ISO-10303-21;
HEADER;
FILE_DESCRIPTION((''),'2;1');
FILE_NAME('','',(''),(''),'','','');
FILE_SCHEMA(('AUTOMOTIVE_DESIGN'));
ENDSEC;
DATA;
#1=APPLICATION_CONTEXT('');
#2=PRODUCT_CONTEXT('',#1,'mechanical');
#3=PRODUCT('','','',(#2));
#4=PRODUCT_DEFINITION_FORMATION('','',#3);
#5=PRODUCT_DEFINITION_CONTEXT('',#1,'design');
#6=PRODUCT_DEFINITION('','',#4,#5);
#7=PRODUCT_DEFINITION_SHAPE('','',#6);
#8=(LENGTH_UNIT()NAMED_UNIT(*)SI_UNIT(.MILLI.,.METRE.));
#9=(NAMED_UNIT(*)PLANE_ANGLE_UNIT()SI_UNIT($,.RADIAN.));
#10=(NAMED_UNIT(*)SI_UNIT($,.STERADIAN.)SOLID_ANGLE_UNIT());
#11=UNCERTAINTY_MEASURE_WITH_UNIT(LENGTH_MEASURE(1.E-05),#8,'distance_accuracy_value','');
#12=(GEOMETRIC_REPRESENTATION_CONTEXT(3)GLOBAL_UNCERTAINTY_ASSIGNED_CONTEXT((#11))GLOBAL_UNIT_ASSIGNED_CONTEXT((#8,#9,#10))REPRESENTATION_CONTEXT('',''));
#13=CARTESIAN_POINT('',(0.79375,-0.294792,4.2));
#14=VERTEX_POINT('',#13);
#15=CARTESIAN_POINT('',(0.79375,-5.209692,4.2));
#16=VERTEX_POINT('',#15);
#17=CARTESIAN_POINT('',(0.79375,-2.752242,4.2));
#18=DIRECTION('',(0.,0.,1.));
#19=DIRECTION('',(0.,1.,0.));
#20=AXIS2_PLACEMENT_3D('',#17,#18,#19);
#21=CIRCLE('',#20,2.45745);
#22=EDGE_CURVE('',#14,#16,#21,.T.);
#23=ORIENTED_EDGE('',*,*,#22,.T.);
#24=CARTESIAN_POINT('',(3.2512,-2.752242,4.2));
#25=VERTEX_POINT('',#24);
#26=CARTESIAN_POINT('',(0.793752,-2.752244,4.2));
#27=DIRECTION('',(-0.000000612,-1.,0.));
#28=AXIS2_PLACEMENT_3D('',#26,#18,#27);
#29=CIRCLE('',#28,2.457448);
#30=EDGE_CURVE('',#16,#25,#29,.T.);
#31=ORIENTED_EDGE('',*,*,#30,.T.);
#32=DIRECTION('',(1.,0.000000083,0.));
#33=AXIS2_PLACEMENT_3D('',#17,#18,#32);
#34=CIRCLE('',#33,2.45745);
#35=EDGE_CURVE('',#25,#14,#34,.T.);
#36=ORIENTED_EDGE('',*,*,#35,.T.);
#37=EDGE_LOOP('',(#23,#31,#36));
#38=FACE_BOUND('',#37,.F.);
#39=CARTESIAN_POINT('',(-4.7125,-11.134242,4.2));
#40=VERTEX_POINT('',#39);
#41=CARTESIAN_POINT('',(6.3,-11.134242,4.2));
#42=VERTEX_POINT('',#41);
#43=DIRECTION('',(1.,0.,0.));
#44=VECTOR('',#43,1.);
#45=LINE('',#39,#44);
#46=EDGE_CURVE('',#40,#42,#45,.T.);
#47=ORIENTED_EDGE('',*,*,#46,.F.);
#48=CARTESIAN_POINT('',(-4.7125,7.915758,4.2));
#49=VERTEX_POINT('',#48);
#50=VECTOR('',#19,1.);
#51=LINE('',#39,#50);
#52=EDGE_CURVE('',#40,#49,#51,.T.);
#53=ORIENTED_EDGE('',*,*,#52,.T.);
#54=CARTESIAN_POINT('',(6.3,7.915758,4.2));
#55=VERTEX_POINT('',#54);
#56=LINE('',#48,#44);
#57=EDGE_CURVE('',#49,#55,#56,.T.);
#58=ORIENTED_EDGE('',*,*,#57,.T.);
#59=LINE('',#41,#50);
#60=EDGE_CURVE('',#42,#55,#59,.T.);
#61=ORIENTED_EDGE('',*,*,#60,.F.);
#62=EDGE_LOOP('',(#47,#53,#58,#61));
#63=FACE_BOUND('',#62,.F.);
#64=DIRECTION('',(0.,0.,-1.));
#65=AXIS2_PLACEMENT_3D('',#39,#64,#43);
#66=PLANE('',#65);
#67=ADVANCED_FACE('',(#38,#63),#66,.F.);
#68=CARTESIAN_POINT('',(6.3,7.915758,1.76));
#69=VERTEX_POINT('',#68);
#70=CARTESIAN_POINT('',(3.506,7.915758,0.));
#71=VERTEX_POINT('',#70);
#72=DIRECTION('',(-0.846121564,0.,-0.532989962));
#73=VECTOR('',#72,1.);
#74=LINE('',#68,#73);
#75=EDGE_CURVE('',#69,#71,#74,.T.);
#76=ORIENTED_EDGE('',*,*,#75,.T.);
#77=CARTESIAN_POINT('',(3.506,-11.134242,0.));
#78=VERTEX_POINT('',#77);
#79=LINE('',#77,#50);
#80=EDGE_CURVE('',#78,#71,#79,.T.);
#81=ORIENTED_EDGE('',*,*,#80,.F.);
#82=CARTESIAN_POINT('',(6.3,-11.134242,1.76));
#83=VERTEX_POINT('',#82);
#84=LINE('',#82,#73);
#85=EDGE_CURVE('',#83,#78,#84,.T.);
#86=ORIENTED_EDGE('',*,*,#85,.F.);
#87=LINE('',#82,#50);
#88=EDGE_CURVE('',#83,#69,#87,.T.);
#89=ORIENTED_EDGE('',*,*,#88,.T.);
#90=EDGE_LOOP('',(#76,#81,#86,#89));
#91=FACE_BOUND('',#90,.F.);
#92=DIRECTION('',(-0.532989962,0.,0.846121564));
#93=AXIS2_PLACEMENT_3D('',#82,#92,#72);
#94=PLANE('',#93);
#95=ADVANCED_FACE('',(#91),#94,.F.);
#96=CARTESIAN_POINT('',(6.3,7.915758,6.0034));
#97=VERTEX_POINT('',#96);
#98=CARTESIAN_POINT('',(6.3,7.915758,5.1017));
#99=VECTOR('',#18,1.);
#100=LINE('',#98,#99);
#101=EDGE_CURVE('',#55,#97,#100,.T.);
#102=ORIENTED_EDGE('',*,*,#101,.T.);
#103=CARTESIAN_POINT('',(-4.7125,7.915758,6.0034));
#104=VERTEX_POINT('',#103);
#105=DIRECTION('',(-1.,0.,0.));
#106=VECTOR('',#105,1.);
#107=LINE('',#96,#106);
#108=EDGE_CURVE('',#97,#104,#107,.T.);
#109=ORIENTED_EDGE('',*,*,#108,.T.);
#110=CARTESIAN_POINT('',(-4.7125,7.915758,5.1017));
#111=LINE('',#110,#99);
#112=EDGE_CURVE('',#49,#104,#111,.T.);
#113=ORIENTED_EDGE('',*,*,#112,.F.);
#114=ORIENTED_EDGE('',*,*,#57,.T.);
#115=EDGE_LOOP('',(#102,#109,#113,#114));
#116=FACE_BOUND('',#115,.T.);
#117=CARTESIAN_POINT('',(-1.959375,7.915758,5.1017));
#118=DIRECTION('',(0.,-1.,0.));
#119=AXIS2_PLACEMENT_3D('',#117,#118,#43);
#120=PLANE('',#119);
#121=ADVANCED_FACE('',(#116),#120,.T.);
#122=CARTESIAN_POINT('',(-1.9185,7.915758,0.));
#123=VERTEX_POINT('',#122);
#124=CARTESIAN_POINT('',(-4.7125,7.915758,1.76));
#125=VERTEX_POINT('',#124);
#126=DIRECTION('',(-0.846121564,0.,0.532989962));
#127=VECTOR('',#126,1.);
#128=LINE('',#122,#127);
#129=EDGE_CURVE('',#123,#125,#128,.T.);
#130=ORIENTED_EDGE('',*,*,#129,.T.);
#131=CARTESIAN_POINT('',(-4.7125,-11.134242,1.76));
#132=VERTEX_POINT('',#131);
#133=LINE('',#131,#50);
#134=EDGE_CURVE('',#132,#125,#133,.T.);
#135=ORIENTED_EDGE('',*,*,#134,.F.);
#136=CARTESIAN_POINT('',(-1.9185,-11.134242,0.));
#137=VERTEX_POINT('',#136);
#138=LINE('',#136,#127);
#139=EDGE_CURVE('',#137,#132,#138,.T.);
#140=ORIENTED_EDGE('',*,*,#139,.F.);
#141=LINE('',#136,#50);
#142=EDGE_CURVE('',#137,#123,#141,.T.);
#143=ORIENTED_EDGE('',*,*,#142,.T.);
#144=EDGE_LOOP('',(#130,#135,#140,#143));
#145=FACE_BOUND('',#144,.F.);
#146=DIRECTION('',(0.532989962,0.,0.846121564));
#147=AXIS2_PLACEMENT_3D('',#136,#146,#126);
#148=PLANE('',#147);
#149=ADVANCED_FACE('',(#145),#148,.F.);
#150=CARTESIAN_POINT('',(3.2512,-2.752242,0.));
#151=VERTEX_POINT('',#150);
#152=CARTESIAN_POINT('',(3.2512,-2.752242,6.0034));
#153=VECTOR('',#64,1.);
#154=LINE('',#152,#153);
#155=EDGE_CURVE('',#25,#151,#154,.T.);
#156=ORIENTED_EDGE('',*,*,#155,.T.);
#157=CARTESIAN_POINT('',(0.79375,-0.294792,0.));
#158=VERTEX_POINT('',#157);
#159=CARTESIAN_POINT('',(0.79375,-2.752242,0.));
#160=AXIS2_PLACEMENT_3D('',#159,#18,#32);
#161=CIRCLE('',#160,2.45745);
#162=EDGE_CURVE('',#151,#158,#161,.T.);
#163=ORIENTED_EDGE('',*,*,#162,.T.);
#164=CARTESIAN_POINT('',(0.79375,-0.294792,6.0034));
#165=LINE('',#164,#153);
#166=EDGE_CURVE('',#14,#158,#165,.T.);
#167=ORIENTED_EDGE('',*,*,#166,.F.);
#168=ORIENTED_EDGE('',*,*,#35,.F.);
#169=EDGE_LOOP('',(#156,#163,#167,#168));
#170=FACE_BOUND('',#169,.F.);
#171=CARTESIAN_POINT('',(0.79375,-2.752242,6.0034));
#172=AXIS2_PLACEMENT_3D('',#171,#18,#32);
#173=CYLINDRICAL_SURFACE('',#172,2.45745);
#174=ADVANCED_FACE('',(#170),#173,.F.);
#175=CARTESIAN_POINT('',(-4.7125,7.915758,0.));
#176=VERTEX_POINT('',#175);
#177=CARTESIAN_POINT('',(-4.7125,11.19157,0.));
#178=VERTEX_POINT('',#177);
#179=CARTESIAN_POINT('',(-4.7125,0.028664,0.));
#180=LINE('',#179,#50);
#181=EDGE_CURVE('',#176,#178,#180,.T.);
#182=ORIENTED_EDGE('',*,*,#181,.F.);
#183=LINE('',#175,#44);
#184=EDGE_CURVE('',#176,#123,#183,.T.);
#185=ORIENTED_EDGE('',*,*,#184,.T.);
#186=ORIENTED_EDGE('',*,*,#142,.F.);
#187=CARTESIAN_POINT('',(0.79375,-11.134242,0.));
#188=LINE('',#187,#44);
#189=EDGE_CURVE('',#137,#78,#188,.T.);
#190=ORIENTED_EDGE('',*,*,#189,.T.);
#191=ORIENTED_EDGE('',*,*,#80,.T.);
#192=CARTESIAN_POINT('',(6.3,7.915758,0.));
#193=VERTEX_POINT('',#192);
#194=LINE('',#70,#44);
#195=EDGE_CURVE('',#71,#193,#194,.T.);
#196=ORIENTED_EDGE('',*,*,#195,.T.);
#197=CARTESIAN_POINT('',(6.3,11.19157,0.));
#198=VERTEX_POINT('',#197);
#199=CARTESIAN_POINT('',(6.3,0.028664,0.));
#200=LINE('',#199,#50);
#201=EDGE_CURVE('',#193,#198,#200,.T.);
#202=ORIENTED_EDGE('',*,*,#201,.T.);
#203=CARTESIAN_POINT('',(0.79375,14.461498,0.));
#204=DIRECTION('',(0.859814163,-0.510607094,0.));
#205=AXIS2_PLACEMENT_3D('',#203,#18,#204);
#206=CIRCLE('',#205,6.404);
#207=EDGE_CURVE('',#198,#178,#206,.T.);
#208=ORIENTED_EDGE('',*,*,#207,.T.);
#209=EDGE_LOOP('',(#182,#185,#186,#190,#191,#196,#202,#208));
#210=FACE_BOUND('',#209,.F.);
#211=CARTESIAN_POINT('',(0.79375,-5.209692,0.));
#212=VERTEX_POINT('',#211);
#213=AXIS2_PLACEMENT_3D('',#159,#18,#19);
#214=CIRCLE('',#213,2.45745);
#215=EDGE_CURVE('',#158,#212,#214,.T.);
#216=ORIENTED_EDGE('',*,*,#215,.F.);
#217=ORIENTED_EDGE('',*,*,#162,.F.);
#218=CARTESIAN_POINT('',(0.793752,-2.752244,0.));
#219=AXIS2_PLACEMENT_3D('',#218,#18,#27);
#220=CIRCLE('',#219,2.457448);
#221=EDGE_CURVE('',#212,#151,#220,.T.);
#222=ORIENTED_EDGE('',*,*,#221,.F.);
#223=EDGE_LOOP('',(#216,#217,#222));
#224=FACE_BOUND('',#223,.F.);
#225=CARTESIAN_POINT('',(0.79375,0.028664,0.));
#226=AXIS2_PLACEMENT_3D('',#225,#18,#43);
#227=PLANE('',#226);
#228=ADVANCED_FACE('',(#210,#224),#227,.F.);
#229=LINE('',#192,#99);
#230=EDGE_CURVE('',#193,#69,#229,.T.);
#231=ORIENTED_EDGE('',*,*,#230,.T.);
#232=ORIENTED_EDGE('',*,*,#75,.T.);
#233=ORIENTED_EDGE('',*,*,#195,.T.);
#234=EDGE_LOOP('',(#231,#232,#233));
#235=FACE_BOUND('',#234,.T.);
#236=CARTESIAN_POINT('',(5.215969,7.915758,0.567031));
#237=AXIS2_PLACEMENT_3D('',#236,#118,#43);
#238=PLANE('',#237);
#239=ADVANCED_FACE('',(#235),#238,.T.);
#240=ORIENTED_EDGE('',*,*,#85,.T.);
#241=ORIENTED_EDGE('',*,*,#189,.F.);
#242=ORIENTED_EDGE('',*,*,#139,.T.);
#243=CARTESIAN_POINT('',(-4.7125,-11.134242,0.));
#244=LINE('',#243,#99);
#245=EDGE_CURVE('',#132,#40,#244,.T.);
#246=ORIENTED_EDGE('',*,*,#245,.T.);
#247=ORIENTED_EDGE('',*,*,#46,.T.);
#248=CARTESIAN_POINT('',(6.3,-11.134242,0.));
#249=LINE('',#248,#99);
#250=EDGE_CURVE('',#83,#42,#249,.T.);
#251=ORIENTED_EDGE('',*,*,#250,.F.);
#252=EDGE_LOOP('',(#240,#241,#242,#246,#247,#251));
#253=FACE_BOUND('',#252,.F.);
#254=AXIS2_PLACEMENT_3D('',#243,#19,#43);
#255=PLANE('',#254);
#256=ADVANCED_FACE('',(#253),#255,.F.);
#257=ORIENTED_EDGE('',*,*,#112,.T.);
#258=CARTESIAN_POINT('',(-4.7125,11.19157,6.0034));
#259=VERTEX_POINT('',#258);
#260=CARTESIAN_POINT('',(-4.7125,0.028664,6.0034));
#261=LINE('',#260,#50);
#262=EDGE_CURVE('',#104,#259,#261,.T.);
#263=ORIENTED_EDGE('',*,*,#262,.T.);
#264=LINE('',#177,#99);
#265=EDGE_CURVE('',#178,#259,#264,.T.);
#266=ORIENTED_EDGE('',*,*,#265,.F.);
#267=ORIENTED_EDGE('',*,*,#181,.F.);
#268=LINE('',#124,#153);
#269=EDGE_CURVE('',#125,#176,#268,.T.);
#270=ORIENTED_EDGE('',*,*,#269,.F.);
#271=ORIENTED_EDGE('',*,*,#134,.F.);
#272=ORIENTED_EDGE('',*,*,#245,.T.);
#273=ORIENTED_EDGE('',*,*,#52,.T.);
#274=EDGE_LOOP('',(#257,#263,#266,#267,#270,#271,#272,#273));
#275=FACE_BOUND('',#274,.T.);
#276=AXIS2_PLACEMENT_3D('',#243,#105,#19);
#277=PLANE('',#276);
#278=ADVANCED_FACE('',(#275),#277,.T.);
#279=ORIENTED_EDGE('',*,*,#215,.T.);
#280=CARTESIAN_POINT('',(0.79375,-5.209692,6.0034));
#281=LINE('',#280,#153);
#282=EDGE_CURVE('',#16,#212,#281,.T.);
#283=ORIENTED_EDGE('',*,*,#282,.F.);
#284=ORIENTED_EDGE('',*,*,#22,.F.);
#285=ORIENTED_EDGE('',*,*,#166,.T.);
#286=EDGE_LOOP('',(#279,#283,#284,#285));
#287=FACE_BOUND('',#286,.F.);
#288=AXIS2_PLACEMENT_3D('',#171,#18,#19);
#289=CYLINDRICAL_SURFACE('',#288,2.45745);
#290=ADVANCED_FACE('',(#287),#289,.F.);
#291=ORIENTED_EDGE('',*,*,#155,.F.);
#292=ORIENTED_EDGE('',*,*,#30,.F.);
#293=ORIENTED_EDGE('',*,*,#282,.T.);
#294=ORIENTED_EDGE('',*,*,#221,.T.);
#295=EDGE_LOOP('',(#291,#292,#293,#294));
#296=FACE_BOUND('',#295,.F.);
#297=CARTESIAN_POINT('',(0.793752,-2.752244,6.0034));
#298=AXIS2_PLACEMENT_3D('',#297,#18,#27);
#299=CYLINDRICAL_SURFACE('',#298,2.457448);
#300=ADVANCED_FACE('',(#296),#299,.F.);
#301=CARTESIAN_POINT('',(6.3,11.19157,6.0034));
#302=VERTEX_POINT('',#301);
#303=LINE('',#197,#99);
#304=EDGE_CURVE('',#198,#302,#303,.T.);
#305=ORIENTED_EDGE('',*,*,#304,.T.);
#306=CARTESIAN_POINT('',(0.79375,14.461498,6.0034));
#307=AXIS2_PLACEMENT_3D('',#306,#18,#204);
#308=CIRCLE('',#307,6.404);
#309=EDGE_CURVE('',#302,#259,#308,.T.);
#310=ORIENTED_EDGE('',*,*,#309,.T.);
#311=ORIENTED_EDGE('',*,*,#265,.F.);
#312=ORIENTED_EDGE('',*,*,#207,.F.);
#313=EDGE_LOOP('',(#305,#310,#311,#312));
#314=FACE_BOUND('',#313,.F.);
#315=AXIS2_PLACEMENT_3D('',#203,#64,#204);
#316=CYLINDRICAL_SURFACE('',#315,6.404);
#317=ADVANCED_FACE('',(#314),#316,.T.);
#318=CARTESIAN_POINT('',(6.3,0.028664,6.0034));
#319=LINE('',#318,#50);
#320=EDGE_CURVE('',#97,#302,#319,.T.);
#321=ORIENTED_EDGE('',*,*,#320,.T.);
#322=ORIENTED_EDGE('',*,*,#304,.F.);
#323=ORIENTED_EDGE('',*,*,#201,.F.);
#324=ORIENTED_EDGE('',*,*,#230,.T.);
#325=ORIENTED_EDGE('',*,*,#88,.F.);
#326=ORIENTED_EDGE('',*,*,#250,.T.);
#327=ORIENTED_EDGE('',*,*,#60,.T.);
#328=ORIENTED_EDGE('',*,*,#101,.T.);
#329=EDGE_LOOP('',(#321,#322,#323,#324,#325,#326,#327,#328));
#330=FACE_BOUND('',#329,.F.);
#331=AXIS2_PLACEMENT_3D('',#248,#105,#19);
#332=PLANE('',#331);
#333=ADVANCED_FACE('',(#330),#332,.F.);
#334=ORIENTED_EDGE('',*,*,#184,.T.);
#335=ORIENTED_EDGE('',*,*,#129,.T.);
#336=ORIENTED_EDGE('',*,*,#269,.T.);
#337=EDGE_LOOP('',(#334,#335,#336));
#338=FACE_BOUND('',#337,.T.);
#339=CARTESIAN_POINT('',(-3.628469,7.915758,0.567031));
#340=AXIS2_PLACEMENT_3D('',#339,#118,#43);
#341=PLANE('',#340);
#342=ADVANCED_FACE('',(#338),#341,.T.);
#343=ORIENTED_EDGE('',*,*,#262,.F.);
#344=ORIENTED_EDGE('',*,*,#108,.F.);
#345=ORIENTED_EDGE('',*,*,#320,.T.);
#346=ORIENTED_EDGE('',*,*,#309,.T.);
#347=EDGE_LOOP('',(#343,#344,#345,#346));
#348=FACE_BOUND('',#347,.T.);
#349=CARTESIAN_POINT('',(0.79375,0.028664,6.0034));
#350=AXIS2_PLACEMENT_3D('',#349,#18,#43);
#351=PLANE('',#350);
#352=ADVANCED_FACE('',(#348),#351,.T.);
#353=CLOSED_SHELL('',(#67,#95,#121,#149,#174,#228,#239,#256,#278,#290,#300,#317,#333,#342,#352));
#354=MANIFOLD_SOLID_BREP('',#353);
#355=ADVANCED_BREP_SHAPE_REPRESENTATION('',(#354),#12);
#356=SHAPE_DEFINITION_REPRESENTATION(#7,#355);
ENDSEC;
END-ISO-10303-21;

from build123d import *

# Parameters (mm, degrees)
F0_W     = 11.0125
F0_H     = 22.325812
F1_DEPTH = 6.0034
F3_DEPTH = 6.0034
F4_W     = 5.50625
F4_H     = 1.8034
F5_DEPTH = 19.05
F6_DEPTH = 19.05


with BuildPart() as f1:
    # F0 (on Top) → F1 (new body)
    with BuildSketch(Plane.XY):
        with Locations((0.79375, 0.028664)):
            Rectangle(F0_W, F0_H)
        with BuildLine():
            Line((-4.7125, 11.19157), (6.3, 11.19157))
            ThreePointArc((6.3, 11.19157), (0.79375, 20.865498), (-4.7125, 11.19157))
        make_face()
    extrude(amount=F1_DEPTH)

    # F2 (on face) → F3 (cut, through all)
    with BuildSketch(Plane.XY.offset(6.0034)):
        with BuildLine():
            ThreePointArc((0.79375, -0.294792), (-1.6637, -2.752242), (0.79375, -5.209692))
            Line((0.79375, -5.209692), (0.79375, -0.294792))
        make_face()
        with BuildLine():
            Line((0.79375, -0.294792), (0.79375, -5.209692))
            ThreePointArc((0.79375, -5.209692), (2.53143, -4.489922), (3.2512, -2.752242))
            ThreePointArc((3.2512, -2.752242), (2.53143, -1.014563), (0.79375, -0.294792))
        make_face()
    extrude(amount=-F3_DEPTH, mode=Mode.SUBTRACT)

    # F4 (on face) → F5 (cut)
    with BuildSketch(Plane.XZ.offset(11.134242)):
        Polygon((-1.9185, 0), (-4.7125, 1.76), (-4.7125, 0), align=None)
        Polygon((6.3, 0), (6.3, 1.76), (3.506, 0), align=None)
        with Locations((-1.959375, 5.1017)):
            Rectangle(F4_W, F4_H)
        with Locations((3.546875, 5.1017)):
            Rectangle(F4_W, F4_H)
    extrude(amount=-F5_DEPTH, mode=Mode.SUBTRACT)

    # F4 (on face) → F6 (cut)
    with BuildSketch(Plane.XZ.offset(11.134242)):
        Polygon((-1.9185, 0), (-4.7125, 1.76), (-4.7125, 0), align=None)
        Polygon((6.3, 0), (6.3, 1.76), (3.506, 0), align=None)
        with Locations((-1.959375, 5.1017)):
            Rectangle(F4_W, F4_H)
        with Locations((3.546875, 5.1017)):
            Rectangle(F4_W, F4_H)
    extrude(amount=-F6_DEPTH, mode=Mode.SUBTRACT)


solid = f1.part
